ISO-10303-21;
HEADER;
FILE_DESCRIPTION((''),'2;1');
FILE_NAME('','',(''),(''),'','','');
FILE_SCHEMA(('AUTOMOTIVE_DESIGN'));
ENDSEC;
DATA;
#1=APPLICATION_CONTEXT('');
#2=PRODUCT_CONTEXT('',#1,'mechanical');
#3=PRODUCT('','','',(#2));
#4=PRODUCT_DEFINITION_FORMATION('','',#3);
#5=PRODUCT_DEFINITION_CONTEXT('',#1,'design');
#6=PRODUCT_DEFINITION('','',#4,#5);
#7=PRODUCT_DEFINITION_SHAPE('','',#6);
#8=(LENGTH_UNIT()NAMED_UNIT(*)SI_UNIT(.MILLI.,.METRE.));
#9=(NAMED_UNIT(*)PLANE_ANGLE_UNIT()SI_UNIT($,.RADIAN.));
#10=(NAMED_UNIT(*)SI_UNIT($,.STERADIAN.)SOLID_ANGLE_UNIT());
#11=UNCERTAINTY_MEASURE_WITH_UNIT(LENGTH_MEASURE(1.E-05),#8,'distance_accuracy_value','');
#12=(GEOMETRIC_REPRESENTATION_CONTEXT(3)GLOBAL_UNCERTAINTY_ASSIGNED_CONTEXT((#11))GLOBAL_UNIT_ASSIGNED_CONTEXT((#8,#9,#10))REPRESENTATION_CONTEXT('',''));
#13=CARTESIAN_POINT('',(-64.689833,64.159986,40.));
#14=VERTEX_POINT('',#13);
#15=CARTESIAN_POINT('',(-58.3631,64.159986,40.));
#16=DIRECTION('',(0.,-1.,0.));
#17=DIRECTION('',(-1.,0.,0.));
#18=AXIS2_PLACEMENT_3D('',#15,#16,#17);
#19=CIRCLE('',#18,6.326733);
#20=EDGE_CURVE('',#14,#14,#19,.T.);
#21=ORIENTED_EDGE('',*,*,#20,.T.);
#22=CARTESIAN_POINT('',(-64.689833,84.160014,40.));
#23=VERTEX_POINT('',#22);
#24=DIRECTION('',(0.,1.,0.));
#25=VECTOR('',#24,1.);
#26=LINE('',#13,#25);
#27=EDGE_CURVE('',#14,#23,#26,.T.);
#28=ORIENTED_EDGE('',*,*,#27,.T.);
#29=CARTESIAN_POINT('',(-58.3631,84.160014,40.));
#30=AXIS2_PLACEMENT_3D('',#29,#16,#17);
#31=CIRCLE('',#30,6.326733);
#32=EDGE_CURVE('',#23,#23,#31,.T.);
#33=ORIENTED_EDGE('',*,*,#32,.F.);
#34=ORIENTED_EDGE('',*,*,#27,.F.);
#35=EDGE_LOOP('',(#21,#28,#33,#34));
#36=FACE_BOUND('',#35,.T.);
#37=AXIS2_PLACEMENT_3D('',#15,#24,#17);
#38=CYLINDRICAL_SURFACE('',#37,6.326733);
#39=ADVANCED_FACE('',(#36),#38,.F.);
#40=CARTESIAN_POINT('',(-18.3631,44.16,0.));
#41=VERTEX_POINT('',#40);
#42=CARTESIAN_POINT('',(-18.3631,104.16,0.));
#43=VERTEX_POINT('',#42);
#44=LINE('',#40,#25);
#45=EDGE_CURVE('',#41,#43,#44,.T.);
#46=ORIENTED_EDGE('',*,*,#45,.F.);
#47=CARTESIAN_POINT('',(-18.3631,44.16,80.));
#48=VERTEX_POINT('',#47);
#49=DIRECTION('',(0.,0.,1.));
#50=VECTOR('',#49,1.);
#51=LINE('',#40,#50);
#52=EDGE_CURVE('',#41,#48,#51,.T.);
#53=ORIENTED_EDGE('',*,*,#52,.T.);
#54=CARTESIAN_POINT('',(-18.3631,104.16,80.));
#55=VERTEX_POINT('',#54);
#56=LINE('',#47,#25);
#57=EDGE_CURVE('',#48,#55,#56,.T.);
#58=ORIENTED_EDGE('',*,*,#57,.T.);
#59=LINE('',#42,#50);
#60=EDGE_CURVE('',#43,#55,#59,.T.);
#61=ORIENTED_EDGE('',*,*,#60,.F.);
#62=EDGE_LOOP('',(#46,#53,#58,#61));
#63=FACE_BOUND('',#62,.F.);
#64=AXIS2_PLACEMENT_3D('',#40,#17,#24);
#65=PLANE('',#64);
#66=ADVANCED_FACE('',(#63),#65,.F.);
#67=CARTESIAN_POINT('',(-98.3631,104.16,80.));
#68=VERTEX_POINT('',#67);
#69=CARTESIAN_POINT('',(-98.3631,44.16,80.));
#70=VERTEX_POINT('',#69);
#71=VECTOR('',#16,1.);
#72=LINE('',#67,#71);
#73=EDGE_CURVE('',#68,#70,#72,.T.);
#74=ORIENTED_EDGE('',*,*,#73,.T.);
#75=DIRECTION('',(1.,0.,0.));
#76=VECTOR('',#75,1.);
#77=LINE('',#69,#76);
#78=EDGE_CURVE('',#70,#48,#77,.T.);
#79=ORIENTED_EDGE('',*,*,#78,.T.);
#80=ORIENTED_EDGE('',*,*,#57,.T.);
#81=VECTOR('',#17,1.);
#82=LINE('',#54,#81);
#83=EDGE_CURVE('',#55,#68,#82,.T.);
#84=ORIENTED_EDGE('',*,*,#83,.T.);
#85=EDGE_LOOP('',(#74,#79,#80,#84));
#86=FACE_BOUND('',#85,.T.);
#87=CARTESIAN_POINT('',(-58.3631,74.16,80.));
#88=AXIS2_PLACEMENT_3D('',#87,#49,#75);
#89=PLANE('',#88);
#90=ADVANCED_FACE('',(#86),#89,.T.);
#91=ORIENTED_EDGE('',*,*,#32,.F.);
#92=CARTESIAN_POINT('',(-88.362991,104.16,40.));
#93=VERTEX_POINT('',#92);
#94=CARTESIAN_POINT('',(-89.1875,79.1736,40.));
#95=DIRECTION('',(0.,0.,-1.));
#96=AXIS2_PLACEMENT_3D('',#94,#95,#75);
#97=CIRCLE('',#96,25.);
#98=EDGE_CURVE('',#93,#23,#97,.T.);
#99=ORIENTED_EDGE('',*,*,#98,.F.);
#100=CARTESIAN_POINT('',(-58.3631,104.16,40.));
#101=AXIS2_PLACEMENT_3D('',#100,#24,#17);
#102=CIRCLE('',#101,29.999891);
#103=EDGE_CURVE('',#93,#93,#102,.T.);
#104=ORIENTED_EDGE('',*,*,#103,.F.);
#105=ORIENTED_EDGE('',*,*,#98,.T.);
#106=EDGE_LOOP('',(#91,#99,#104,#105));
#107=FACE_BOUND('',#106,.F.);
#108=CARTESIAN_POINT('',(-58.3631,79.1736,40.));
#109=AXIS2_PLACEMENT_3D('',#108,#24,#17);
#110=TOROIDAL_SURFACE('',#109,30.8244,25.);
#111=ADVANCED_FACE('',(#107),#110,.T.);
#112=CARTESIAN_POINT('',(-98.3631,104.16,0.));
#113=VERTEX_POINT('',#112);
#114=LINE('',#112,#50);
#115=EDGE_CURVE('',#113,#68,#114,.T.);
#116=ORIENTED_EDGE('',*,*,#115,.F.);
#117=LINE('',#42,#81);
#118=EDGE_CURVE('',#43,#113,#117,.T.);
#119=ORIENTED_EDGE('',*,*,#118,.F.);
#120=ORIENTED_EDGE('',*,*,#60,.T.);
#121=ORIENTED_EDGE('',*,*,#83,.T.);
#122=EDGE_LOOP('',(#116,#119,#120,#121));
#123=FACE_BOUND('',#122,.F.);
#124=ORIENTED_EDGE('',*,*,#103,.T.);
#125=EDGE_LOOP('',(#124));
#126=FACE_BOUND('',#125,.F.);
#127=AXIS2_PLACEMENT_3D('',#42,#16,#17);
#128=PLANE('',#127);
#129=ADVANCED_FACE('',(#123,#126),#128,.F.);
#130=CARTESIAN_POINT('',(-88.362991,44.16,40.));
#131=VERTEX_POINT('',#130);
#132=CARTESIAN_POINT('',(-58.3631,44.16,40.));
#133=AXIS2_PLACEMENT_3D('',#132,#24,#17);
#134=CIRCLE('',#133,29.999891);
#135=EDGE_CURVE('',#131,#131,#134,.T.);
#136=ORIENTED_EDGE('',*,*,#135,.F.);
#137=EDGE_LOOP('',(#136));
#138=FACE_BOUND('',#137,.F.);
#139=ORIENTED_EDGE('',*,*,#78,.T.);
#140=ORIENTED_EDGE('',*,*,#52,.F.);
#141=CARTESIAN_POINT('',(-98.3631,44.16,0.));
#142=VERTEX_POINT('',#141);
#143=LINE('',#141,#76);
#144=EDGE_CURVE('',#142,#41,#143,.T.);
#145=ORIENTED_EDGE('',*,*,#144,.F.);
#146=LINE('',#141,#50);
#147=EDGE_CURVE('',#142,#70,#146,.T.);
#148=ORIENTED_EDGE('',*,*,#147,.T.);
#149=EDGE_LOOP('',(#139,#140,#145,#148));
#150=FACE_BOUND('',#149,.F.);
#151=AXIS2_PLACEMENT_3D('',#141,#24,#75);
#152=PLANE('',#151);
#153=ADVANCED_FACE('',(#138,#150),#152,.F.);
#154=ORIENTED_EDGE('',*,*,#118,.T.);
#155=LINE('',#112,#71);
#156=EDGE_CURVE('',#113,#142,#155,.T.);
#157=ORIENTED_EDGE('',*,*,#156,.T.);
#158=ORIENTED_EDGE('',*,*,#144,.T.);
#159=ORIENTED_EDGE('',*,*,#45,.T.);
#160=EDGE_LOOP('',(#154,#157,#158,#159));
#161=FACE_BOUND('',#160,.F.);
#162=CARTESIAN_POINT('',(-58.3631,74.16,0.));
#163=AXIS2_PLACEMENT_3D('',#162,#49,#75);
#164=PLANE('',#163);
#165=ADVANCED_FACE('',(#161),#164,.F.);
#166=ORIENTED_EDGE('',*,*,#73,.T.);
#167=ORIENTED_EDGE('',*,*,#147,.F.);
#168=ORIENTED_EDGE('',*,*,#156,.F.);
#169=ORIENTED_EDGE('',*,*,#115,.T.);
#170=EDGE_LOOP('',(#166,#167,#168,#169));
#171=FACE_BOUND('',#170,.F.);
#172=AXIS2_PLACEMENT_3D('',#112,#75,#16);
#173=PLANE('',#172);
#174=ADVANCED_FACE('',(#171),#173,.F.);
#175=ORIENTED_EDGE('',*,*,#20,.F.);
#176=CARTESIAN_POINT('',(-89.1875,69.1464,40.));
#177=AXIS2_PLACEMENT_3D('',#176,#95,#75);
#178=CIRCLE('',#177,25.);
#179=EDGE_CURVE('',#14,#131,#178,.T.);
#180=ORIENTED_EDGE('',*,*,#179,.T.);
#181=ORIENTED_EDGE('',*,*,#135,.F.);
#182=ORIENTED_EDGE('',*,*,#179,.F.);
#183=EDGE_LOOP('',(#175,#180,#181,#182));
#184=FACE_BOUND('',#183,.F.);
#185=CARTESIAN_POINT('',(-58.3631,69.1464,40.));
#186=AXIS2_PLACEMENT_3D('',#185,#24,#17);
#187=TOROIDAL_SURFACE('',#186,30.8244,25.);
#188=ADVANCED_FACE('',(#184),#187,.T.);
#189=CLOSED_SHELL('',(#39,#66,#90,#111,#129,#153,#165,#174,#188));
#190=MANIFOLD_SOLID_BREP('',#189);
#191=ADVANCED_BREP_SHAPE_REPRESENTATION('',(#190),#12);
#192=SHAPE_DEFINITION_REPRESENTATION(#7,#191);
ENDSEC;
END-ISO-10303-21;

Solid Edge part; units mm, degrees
sketch "Sketch1" plane through (0, 0, 0) normal (0, 0, 1) x (1, 0, 0)
  line L0 (-98.3631, 44.16) -> (-18.3631, 44.16)
  line L1 (-18.3631, 44.16) -> (-18.3631, 104.16)
  line L2 (-18.3631, 104.16) -> (-98.3631, 104.16)
  line L3 (-98.3631, 104.16) -> (-98.3631, 44.16)
  dimension "D1" = 80
  dimension "D2" = 60
extrude "Protrusion1" add sketch "Sketch1" along normal blind 80
sketch "Sketch2" plane through (0, 0, 40) normal (0, 0, 1) x (1, 0, 0)
  arc A0 (-64.6899, 64.16) -> (-88.3631, 44.16) centre (-89.1875, 69.1464) cw
  line L0 (-64.6899, 64.16) -> (-64.6899, 84.16)
  arc A1 (-88.3631, 104.16) -> (-64.6899, 84.16) centre (-89.1875, 79.1736) cw
  dimension "D1" = 30
  dimension "D2" = 25
  dimension "D3" = 25
  dimension "D4" = 20
  dimension "D5" = 20
revolve "RevolvedCutout1" cut sketch "Sketch2" angle 360 about axis through (-58.3631, 104.16, 40) along (0, -1, 0) material side at (-73.0214, 50.0111, 40)
